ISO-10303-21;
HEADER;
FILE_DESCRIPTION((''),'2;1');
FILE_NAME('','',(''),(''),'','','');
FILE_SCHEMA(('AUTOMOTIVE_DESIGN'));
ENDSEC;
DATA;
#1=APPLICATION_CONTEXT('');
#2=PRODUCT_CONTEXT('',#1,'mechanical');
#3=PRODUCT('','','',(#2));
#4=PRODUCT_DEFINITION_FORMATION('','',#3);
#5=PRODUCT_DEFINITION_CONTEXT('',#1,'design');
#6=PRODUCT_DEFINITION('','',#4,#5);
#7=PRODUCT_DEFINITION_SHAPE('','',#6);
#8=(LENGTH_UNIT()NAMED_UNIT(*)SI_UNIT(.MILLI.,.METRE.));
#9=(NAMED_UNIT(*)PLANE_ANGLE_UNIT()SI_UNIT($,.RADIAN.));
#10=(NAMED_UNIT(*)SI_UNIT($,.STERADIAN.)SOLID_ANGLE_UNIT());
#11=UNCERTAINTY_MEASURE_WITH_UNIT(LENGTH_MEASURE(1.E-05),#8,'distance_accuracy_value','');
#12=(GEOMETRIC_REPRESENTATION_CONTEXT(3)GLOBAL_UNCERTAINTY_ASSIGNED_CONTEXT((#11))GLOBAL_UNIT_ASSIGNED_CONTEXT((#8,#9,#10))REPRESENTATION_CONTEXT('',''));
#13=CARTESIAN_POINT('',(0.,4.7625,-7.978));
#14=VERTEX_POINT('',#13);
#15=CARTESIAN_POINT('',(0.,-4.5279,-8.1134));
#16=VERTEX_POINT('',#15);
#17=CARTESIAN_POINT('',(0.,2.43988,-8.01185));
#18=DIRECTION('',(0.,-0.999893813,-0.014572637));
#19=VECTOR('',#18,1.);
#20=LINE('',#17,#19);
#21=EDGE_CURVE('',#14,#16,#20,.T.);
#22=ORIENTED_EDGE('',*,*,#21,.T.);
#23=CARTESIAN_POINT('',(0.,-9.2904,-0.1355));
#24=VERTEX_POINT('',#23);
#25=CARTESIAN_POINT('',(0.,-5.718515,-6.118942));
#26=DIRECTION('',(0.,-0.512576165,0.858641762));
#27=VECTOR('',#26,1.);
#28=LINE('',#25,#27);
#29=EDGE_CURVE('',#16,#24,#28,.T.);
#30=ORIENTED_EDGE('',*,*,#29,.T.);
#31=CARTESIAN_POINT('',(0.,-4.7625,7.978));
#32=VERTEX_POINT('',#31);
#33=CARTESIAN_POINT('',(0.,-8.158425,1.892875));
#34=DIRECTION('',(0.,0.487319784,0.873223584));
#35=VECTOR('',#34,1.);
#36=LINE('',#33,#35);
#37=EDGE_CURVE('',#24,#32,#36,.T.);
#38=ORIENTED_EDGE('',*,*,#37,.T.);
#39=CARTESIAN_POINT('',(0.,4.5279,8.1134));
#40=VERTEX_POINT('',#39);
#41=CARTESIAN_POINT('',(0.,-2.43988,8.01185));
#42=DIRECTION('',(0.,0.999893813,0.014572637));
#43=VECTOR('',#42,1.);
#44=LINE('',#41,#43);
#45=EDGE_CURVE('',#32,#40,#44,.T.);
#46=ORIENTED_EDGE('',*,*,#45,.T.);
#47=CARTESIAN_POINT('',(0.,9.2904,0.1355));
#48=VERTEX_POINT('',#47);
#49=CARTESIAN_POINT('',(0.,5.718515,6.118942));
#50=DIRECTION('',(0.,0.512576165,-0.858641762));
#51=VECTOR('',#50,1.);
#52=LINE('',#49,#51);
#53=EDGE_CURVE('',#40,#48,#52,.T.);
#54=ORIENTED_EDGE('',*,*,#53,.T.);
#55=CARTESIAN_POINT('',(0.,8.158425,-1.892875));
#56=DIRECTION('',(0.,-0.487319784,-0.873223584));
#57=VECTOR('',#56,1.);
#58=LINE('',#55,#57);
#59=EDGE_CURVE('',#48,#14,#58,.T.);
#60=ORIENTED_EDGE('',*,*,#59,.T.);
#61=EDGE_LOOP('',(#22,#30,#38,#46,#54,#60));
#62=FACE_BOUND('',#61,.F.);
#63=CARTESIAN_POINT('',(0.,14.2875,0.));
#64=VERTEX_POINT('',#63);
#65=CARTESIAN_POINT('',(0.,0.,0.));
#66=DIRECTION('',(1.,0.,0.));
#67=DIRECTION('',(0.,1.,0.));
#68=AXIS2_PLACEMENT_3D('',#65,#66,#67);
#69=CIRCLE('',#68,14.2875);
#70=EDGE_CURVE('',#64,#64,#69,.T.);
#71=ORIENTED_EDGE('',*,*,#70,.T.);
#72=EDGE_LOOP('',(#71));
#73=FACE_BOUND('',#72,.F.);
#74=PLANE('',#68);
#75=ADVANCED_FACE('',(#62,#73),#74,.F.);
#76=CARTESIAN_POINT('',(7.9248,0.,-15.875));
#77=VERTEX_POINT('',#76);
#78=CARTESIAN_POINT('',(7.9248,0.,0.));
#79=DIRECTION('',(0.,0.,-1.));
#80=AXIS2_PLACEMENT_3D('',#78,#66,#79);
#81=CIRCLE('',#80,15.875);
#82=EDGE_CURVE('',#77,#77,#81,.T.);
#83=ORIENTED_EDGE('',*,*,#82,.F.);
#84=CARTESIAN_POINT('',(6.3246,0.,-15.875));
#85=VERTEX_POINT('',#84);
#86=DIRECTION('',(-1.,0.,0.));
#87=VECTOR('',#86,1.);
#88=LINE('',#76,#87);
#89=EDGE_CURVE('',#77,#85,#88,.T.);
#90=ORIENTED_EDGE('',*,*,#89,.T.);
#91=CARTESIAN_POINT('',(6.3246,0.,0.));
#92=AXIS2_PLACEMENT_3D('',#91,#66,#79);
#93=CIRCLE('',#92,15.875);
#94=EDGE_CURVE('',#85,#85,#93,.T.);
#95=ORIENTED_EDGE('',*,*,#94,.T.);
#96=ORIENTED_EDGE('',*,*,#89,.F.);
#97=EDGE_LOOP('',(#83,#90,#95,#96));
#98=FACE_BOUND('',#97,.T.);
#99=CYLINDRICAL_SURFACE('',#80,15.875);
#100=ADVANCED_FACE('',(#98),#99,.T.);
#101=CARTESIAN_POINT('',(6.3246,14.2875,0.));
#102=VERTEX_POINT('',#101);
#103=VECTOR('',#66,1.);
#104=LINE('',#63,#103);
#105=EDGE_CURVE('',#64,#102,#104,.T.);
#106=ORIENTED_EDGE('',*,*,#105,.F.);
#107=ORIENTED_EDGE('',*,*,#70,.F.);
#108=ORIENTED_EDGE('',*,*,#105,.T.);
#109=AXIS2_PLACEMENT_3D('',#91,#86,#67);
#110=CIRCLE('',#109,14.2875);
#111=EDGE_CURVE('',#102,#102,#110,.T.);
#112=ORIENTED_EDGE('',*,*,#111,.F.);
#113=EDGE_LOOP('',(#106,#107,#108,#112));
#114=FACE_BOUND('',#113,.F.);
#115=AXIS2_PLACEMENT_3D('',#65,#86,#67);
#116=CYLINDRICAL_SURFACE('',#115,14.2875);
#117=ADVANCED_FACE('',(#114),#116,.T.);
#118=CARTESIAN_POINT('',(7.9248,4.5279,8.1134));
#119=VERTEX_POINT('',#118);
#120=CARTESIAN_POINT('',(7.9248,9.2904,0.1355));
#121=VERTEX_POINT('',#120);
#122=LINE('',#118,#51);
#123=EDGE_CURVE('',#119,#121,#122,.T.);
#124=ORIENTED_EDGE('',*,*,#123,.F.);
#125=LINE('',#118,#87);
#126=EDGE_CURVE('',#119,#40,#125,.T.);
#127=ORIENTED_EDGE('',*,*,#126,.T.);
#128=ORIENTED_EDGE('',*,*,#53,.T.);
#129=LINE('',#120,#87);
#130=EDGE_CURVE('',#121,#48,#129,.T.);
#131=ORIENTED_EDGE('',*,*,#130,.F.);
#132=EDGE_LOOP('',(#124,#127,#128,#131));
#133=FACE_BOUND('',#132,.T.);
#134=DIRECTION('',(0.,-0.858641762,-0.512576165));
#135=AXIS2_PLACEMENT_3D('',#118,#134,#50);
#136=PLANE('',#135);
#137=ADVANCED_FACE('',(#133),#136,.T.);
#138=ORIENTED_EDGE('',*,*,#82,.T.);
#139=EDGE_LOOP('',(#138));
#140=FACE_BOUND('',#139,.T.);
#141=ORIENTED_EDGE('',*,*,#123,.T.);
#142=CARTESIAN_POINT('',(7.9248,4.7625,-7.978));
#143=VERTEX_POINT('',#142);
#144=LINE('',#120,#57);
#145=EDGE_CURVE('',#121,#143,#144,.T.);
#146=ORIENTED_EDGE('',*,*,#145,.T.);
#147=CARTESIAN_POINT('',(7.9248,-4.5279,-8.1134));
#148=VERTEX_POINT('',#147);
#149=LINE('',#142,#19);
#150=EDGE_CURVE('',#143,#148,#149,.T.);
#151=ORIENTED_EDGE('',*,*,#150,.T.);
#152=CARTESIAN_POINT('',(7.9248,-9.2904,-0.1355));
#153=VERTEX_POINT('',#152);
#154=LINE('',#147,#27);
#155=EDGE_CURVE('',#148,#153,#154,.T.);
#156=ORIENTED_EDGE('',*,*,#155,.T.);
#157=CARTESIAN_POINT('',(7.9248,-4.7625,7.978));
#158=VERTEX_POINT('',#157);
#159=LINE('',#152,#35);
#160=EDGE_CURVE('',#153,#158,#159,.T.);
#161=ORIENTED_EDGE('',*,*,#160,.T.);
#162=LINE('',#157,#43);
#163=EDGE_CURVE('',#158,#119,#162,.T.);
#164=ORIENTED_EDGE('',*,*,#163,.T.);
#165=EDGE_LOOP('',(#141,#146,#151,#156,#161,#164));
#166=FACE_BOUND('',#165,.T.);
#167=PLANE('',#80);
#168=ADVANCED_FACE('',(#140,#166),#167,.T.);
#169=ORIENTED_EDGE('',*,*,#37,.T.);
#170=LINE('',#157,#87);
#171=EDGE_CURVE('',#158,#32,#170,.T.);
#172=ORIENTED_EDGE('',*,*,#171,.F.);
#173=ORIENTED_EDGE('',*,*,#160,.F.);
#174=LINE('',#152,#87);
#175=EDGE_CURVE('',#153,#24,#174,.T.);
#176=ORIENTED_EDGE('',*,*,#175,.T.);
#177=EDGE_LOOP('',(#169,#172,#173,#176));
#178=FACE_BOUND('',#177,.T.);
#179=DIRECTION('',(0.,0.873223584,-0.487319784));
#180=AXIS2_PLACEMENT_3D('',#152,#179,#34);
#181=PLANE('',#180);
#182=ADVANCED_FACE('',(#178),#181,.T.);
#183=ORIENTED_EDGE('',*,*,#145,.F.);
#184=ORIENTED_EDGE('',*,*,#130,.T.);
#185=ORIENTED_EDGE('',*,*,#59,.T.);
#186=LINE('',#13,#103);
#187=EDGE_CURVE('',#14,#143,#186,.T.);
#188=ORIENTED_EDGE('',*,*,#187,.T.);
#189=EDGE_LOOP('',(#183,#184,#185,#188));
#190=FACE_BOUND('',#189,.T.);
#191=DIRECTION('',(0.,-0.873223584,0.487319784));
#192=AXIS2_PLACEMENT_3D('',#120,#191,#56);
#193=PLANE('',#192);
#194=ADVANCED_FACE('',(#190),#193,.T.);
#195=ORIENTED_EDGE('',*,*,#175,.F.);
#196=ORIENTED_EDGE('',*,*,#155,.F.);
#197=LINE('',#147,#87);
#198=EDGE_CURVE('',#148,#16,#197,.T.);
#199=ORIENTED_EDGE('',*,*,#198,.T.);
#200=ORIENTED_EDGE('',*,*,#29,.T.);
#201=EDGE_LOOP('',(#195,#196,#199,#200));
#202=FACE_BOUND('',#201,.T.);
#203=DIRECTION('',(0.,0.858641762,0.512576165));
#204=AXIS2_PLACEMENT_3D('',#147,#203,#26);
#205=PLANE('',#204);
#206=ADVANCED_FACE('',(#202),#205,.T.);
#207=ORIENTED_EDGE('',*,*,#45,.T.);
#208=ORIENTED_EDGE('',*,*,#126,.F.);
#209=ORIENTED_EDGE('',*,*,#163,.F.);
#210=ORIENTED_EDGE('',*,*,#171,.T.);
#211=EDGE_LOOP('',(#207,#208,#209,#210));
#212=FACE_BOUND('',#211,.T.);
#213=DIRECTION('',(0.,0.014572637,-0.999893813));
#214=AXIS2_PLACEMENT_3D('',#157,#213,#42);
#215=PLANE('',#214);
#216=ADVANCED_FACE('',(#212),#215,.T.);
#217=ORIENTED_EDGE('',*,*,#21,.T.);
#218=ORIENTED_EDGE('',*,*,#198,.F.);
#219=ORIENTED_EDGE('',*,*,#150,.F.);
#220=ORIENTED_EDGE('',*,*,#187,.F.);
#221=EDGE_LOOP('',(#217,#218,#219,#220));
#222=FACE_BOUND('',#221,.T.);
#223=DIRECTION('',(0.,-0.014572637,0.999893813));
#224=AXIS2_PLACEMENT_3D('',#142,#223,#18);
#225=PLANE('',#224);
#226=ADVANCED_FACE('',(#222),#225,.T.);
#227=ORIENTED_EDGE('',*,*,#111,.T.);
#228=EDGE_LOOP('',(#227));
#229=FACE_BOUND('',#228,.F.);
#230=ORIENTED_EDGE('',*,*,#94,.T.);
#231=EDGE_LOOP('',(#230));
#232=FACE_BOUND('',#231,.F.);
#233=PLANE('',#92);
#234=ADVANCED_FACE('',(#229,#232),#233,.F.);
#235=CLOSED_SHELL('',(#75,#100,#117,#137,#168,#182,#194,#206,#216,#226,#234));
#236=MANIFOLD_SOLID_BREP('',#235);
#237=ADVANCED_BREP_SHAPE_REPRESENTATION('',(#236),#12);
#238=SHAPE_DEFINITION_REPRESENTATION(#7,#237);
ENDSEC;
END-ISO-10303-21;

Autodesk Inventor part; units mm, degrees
ref_plane "YZ Plane" through (0, 0, 0) normal (1, 0, 0) x (0, 1, 0)
ref_plane "XZ Plane" through (0, 0, 0) normal (0, 1, 0) x (-1, 0, 0)
ref_plane "XY Plane" through (0, 0, 0) normal (0, 0, 1) x (1, 0, 0)
sketch "Sketch1" plane through (0, 0, 0) normal (1, 0, 0) x (0, 1, 0)
  circle A0 centre (0, 0) radius 14.2875
  dimension "d0" = 28.575
extrude "Extrusion1" add sketch "Sketch1" along normal blind 7.9248
sketch "Sketch2" plane through (7.9248, 0, 0) normal (1, 0, 0) x (0, 0, -1)
  point P0 (0, 0)
sketch "Sketch3" plane through (7.9248, 0, 0) normal (1, 0, 0) x (0, 0, -1)
  point P0 (0, 0)
sketch "Sketch4" plane through (7.9248, 0, 0) normal (1, 0, 0) x (0, 0, -1)
  line L0 (7.978, 4.7625) -> (8.1134, -4.5279)
  line L1 (8.1134, -4.5279) -> (0.1355, -9.2904)
  line L2 (0.1355, -9.2904) -> (-7.978, -4.7625)
  line L3 (-7.978, -4.7625) -> (-8.1134, 4.5279)
  line L4 (-8.1134, 4.5279) -> (-0.1355, 9.2904)
  line L5 (-0.1355, 9.2904) -> (7.978, 4.7625)
  point P0 (0, 0)
  point P1 (0, 0)
  dimension "d3" = 9.525
  dimension "d4" = 18.5807
extrude "Extrusion2" cut sketch "Sketch4" against normal blind 279.4
sketch "Sketch5" plane through (7.9248, 0, 0) normal (1, 0, 0) x (0, 0, -1)
  circle A0 centre (0, 0) radius 15.875
  dimension "d7" = 31.75
extrude "Extrusion3" add sketch "Sketch5" against normal blind 1.6002
extrude "Extrusion4" cut sketch "Sketch4" against normal blind 1.6002
extrude "Extrusion5" add sketch "Sketch4" against normal blind 2.54
extrude "Extrusion6" cut sketch "Sketch4" against normal blind 2.54
properties part number "hexagon bearing"
